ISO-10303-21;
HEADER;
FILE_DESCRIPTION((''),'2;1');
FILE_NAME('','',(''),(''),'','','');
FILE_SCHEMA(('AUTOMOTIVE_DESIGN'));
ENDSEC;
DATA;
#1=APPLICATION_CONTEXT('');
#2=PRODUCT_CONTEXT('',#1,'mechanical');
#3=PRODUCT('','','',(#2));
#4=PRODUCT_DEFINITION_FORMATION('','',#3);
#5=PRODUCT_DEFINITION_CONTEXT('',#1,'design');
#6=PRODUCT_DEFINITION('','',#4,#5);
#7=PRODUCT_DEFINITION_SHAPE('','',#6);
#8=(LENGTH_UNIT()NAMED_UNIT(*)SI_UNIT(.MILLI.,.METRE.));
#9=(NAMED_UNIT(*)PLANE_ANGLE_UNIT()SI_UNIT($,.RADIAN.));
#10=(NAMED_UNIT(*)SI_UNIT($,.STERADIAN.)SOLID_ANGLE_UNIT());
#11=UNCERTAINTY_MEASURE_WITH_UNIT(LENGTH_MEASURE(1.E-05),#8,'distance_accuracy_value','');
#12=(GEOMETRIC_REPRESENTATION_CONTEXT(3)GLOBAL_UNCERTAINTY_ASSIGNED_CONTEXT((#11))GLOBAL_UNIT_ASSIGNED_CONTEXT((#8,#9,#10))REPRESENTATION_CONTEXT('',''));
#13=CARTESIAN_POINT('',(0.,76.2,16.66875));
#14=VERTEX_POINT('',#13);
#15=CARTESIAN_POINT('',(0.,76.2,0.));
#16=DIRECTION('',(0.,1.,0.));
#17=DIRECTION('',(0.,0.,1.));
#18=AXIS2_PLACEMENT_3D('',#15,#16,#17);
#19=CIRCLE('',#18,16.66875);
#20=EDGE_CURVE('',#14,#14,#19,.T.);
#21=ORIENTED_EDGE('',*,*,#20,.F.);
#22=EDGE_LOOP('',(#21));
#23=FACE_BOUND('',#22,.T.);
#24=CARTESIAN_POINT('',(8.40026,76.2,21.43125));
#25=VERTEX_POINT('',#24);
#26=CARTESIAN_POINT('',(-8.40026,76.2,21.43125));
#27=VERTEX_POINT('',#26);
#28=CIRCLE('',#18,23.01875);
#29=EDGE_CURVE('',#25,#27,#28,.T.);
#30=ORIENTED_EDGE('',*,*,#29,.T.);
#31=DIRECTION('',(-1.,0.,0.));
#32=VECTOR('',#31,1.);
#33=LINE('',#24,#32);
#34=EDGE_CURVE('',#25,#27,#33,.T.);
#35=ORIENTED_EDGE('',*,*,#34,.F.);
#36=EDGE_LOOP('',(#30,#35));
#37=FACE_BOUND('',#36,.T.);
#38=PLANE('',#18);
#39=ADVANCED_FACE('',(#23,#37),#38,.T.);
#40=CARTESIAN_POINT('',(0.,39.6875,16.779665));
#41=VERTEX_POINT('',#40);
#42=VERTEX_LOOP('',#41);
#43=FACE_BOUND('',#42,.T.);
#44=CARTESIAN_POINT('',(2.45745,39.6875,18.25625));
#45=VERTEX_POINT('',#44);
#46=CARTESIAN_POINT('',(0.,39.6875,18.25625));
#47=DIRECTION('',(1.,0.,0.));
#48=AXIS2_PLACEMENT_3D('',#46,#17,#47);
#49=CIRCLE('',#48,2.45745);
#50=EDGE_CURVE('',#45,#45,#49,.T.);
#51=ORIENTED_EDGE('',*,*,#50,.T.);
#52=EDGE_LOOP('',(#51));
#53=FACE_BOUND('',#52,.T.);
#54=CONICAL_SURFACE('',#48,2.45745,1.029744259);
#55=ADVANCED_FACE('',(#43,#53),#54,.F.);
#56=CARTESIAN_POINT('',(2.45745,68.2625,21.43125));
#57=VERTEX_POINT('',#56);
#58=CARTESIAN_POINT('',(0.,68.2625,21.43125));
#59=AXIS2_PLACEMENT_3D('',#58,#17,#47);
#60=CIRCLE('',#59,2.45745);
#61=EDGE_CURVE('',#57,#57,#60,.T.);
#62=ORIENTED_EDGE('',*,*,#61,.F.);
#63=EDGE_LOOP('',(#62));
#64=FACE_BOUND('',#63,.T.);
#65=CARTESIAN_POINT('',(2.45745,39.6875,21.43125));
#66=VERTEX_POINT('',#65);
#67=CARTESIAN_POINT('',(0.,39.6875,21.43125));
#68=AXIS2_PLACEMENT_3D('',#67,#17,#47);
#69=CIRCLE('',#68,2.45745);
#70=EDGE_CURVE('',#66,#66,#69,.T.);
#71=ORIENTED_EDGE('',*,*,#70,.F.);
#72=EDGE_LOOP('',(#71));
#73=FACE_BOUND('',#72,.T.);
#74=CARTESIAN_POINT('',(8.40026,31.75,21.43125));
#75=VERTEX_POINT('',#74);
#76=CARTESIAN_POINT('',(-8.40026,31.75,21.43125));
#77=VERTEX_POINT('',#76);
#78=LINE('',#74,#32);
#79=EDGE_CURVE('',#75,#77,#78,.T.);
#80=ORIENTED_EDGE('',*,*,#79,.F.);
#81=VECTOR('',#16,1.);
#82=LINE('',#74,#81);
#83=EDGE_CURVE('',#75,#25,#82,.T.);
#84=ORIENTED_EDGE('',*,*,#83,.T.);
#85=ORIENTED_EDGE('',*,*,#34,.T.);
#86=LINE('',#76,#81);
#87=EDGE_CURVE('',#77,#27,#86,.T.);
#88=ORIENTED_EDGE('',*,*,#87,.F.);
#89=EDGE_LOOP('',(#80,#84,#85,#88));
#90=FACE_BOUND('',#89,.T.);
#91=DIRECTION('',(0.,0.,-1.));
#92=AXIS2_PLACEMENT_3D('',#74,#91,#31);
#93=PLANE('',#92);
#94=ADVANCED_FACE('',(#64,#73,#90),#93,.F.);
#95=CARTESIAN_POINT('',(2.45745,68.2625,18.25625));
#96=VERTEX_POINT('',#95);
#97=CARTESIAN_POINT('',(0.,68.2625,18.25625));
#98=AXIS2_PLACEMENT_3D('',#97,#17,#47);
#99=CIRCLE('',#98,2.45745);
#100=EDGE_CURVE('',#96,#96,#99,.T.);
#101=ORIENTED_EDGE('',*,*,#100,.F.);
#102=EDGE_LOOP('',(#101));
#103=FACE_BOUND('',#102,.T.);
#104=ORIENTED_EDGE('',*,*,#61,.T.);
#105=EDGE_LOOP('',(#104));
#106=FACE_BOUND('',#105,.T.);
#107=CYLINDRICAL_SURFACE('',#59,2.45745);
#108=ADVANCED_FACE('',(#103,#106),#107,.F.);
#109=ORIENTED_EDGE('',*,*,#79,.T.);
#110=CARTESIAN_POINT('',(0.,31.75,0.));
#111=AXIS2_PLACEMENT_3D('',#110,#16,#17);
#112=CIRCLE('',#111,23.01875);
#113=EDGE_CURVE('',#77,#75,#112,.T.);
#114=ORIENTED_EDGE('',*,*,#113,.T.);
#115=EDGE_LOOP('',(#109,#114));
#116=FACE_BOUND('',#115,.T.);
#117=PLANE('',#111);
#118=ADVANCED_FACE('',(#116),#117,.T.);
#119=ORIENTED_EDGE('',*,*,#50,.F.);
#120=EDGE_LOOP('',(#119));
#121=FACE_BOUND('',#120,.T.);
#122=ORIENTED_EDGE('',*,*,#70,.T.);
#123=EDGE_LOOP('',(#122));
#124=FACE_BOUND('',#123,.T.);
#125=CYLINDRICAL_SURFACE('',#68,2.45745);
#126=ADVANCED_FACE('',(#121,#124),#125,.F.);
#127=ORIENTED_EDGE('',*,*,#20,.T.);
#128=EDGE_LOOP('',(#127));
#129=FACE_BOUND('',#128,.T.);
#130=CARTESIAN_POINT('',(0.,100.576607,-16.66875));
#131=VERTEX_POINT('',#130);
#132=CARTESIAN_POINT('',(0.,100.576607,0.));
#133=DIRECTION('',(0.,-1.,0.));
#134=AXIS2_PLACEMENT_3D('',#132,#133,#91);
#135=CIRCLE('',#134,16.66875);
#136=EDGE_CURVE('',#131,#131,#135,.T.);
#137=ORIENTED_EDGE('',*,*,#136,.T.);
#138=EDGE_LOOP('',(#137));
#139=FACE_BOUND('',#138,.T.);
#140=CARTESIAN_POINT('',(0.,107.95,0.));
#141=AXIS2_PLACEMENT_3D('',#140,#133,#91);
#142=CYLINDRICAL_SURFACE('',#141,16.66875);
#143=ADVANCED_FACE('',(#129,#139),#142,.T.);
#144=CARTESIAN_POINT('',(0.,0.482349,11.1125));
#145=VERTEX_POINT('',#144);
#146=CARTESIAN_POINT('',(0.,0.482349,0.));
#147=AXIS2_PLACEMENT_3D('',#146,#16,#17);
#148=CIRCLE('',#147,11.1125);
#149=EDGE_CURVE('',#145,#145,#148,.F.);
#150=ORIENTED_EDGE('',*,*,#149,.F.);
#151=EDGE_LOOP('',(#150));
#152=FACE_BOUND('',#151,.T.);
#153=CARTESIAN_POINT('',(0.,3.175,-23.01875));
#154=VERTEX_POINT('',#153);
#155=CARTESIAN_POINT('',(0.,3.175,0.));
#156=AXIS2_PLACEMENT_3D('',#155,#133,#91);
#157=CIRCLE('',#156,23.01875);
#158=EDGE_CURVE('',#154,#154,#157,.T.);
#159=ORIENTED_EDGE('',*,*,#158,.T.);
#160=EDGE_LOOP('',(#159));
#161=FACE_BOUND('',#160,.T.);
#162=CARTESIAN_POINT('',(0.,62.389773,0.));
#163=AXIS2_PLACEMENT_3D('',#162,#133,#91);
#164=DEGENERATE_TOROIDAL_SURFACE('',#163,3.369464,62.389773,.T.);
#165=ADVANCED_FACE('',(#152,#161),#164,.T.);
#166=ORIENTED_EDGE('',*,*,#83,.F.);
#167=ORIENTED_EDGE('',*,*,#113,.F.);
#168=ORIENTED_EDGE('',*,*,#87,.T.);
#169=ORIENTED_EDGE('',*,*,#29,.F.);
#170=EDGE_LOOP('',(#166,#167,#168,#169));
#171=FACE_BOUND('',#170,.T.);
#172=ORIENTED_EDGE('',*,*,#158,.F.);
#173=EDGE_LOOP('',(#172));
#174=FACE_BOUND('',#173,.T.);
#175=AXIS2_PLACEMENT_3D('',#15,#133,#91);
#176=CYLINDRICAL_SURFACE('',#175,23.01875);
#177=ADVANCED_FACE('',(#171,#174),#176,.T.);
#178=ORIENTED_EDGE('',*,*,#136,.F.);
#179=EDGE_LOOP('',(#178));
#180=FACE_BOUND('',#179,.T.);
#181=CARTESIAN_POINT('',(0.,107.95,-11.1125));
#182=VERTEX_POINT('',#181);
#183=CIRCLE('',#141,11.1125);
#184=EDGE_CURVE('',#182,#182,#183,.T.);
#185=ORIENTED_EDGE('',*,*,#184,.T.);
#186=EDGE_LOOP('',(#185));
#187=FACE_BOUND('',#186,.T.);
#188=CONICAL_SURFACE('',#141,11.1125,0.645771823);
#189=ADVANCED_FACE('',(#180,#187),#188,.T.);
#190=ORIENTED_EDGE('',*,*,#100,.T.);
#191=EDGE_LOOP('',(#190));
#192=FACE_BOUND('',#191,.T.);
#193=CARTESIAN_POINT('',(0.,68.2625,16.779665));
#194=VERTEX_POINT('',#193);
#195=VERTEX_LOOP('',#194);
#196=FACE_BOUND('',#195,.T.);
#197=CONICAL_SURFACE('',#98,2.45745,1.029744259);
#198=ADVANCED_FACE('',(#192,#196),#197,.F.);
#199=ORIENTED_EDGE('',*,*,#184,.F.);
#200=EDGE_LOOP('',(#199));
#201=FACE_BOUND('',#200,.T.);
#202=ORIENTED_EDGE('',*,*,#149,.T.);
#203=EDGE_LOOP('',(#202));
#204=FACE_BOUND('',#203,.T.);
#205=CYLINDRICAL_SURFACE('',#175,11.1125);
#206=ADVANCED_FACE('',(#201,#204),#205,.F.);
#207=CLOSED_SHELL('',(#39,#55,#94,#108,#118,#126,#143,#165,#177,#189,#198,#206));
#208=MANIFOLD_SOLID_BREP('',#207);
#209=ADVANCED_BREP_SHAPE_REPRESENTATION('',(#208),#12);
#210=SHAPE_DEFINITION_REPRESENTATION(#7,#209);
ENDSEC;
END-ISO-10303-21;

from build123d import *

# Parameters (mm, degrees)
SKETCH1_R                        = 23.01875
SKETCH1_R_2                      = 11.1125
BOSS_EXTRUDE1_DEPTH              = 76.2
SKETCH2_R                        = 16.66875
SKETCH2_R_2                      = 11.1125
BOSS_EXTRUDE2_DEPTH              = 31.75
CUT_EXTRUDE1_START               = -44.45
CUT_EXTRUDE1_DEPTH               = 44.45
F_10_0_1935_DIAMETER_HOLE1_D     = 4.9149
F_10_0_1935_DIAMETER_HOLE1_DEPTH = 3.175
F_10_0_1935_DIAMETER_HOLE1_TIP   = 1.476584928


with BuildPart() as part:
    # Sketch1 → Boss-Extrude1 (new body)
    with BuildSketch(Plane(origin=(0, 0, 0), x_dir=(1, 0, 0), z_dir=(0, 1, 0))):
        Circle(SKETCH1_R)
        Circle(SKETCH1_R_2, mode=Mode.SUBTRACT)
    extrude(amount=BOSS_EXTRUDE1_DEPTH)

    # Sketch2 → Boss-Extrude2 (add)
    with BuildSketch(Plane(origin=(0, 76.2, 0), x_dir=(1, 0, 0), z_dir=(0, 1, 0))):
        Circle(SKETCH2_R)
        Circle(SKETCH2_R_2, mode=Mode.SUBTRACT)
    extrude(amount=BOSS_EXTRUDE2_DEPTH)

    # Sketch3 → Cut-Revolve1 (revolve, cut)
    with BuildSketch(Plane(origin=(0, 0, 0), x_dir=(0, 0, -1), z_dir=(1, 0, 0))):
        Polygon((16.66875, 107.95), (16.66875, 100.57660721), (11.1125, 107.95), align=None)
    revolve(axis=Axis((0, 107.95, 0), (0, 1, 0)), mode=Mode.SUBTRACT)

    # Sketch4 → Cut-Extrude1 (cut)
    with BuildSketch(Plane(origin=(0, 76.2, 0), x_dir=(1, 0, 0), z_dir=(0, 1, 0)).offset(CUT_EXTRUDE1_START)):
        with BuildLine():
            Line((8.400260413, -21.43125), (-8.400260413, -21.43125))
            ThreePointArc((-8.400260413, -21.43125), (0, -23.01875), (8.400260413, -21.43125))
        make_face()
    extrude(amount=CUT_EXTRUDE1_DEPTH, mode=Mode.SUBTRACT)

    # Sketch8 → Cut-Revolve4 (revolve, cut)
    with BuildSketch(Plane.XY):
        with BuildLine():
            Line((0, 0), (-3.369464108, 0))
            ThreePointArc((-3.369464108, 0), (-13.321537524, 0.798864496), (-23.01875, 3.175))
            Line((-23.01875, 3.175), (-23.01875, -4.469484217))
            Line((-23.01875, -4.469484217), (0, -4.469484217))
            Line((0, -4.469484217), (0, 0))
        make_face()
    revolve(axis=Axis((0, 0, 0), (0, 1, 0)), mode=Mode.SUBTRACT)

    # 10 _0.1935_ Diameter Hole1
    with Locations(Plane.XY.offset(21.43125)):
        with Locations((0, 68.2625), (0, 39.6875)):
            Hole(F_10_0_1935_DIAMETER_HOLE1_D / 2, depth=F_10_0_1935_DIAMETER_HOLE1_DEPTH)
            with Locations((0, 0, -(F_10_0_1935_DIAMETER_HOLE1_DEPTH + F_10_0_1935_DIAMETER_HOLE1_TIP / 2))):  # 118° drill point
                Cone(0, F_10_0_1935_DIAMETER_HOLE1_D / 2, F_10_0_1935_DIAMETER_HOLE1_TIP, mode=Mode.SUBTRACT)


solid = part.part
